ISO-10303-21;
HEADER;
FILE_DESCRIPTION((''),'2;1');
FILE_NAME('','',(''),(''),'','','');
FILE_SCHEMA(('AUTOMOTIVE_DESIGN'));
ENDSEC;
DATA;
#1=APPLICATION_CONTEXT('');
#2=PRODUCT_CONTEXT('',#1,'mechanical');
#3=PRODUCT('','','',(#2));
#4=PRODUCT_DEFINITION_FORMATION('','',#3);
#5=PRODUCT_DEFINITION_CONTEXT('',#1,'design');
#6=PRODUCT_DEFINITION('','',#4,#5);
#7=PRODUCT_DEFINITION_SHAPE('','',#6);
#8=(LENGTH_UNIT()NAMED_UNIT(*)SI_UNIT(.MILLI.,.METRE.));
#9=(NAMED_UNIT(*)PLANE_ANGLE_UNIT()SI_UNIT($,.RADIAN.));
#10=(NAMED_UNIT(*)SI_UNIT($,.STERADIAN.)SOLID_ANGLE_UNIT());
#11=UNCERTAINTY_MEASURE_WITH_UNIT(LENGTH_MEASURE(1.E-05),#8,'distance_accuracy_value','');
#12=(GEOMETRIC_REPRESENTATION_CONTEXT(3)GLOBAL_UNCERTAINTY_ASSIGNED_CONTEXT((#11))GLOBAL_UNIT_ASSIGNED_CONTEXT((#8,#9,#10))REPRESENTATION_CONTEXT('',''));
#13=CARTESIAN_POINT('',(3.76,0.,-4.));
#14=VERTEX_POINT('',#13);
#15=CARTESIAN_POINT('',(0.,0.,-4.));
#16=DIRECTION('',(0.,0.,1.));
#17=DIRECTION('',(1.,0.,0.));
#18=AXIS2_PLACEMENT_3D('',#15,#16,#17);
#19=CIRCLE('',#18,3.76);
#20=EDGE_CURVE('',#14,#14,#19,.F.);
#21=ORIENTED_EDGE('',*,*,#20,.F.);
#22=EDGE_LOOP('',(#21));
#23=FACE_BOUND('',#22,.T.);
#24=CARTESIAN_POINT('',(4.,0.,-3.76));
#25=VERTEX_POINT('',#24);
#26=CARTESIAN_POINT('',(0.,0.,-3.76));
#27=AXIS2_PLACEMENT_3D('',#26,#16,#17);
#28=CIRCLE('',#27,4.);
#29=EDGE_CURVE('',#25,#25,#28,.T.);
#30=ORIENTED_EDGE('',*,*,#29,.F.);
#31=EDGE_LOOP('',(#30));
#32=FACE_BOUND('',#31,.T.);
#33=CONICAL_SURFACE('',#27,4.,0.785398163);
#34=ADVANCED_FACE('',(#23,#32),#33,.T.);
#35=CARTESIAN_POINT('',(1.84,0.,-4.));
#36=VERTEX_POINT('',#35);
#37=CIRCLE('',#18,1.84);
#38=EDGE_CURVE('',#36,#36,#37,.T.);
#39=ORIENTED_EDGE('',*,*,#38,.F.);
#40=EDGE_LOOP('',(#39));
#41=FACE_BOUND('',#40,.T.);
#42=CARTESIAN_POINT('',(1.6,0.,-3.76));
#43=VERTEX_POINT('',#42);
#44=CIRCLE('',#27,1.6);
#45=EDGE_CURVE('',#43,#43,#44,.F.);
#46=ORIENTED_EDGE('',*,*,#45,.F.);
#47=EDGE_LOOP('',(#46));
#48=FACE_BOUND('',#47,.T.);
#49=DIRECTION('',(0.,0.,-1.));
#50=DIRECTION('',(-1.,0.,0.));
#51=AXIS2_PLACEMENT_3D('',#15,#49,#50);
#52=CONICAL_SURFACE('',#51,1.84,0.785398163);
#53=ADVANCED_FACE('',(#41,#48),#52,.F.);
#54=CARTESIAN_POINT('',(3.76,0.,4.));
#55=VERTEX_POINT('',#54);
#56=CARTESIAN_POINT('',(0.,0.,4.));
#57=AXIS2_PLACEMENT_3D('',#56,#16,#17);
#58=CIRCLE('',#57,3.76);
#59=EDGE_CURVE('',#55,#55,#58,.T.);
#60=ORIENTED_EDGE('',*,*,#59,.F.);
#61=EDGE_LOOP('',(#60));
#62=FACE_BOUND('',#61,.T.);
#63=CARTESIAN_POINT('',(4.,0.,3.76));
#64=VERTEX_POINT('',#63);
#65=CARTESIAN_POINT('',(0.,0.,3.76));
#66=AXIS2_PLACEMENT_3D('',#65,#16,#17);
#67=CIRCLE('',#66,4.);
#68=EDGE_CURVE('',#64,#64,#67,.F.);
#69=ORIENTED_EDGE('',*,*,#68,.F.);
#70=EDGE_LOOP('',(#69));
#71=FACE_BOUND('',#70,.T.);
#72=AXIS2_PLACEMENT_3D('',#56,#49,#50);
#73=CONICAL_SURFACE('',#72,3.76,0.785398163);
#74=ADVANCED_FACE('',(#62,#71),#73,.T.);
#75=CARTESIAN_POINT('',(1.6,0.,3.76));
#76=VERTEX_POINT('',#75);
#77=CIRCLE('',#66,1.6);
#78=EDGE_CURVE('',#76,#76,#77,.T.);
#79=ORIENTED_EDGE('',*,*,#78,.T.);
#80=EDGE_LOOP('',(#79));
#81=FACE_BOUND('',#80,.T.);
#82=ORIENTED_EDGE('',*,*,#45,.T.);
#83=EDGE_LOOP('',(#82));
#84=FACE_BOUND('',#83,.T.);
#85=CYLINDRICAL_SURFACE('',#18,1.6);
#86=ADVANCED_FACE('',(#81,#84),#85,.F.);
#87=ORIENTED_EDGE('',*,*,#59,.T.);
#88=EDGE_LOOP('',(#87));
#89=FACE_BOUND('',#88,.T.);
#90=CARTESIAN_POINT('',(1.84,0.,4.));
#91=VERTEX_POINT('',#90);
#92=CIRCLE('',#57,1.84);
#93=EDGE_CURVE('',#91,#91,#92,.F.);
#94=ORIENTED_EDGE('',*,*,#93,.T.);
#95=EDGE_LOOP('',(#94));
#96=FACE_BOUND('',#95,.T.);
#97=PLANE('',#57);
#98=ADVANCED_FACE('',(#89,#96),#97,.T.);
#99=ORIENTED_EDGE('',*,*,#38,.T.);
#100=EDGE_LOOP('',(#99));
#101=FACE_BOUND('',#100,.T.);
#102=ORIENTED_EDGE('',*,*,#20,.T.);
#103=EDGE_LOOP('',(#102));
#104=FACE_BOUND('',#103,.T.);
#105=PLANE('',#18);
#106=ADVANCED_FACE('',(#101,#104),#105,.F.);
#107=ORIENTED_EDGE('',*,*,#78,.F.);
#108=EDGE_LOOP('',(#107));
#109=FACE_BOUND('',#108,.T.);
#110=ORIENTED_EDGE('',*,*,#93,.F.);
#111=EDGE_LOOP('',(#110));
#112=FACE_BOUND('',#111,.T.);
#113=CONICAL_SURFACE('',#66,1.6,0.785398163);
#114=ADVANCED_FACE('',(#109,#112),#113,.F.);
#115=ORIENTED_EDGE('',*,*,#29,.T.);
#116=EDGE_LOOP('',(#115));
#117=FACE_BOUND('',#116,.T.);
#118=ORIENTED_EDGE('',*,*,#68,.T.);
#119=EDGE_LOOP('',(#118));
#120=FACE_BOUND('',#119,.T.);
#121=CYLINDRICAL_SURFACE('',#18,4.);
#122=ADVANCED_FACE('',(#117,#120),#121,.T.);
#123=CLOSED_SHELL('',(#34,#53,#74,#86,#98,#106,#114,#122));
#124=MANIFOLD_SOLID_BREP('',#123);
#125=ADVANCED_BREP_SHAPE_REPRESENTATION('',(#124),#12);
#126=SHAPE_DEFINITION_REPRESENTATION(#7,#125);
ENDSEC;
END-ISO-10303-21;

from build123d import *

# Parameters (mm, degrees)
BOSS_EXTRUDE1_DEPTH      = 4
BOSS_EXTRUDE1_DEPTH_BACK = 4
SKETCH3_R                = 4
SKETCH3_R_2              = 1.6
CHAMFER1_SIZE            = 0.24


with BuildPart() as part:
    # Sketch3 → Boss-Extrude1 (new, two sides: drawn at the far end of the back side and taken through both)
    with BuildSketch(Plane.XY.offset(-BOSS_EXTRUDE1_DEPTH_BACK)):
        Circle(SKETCH3_R)
        Circle(SKETCH3_R_2, mode=Mode.SUBTRACT)
    extrude(amount=BOSS_EXTRUDE1_DEPTH + BOSS_EXTRUDE1_DEPTH_BACK)

    # Chamfer1
    chamfer1_edges = [part.edges().sort_by_distance(p)[0] for p in [
        (-4, 0, -4),
        (-1.6, 0, -4),
        (-4, 0, 4),
        (-1.6, 0, 4),
    ]]
    chamfer(chamfer1_edges, length=CHAMFER1_SIZE)


solid = part.part
